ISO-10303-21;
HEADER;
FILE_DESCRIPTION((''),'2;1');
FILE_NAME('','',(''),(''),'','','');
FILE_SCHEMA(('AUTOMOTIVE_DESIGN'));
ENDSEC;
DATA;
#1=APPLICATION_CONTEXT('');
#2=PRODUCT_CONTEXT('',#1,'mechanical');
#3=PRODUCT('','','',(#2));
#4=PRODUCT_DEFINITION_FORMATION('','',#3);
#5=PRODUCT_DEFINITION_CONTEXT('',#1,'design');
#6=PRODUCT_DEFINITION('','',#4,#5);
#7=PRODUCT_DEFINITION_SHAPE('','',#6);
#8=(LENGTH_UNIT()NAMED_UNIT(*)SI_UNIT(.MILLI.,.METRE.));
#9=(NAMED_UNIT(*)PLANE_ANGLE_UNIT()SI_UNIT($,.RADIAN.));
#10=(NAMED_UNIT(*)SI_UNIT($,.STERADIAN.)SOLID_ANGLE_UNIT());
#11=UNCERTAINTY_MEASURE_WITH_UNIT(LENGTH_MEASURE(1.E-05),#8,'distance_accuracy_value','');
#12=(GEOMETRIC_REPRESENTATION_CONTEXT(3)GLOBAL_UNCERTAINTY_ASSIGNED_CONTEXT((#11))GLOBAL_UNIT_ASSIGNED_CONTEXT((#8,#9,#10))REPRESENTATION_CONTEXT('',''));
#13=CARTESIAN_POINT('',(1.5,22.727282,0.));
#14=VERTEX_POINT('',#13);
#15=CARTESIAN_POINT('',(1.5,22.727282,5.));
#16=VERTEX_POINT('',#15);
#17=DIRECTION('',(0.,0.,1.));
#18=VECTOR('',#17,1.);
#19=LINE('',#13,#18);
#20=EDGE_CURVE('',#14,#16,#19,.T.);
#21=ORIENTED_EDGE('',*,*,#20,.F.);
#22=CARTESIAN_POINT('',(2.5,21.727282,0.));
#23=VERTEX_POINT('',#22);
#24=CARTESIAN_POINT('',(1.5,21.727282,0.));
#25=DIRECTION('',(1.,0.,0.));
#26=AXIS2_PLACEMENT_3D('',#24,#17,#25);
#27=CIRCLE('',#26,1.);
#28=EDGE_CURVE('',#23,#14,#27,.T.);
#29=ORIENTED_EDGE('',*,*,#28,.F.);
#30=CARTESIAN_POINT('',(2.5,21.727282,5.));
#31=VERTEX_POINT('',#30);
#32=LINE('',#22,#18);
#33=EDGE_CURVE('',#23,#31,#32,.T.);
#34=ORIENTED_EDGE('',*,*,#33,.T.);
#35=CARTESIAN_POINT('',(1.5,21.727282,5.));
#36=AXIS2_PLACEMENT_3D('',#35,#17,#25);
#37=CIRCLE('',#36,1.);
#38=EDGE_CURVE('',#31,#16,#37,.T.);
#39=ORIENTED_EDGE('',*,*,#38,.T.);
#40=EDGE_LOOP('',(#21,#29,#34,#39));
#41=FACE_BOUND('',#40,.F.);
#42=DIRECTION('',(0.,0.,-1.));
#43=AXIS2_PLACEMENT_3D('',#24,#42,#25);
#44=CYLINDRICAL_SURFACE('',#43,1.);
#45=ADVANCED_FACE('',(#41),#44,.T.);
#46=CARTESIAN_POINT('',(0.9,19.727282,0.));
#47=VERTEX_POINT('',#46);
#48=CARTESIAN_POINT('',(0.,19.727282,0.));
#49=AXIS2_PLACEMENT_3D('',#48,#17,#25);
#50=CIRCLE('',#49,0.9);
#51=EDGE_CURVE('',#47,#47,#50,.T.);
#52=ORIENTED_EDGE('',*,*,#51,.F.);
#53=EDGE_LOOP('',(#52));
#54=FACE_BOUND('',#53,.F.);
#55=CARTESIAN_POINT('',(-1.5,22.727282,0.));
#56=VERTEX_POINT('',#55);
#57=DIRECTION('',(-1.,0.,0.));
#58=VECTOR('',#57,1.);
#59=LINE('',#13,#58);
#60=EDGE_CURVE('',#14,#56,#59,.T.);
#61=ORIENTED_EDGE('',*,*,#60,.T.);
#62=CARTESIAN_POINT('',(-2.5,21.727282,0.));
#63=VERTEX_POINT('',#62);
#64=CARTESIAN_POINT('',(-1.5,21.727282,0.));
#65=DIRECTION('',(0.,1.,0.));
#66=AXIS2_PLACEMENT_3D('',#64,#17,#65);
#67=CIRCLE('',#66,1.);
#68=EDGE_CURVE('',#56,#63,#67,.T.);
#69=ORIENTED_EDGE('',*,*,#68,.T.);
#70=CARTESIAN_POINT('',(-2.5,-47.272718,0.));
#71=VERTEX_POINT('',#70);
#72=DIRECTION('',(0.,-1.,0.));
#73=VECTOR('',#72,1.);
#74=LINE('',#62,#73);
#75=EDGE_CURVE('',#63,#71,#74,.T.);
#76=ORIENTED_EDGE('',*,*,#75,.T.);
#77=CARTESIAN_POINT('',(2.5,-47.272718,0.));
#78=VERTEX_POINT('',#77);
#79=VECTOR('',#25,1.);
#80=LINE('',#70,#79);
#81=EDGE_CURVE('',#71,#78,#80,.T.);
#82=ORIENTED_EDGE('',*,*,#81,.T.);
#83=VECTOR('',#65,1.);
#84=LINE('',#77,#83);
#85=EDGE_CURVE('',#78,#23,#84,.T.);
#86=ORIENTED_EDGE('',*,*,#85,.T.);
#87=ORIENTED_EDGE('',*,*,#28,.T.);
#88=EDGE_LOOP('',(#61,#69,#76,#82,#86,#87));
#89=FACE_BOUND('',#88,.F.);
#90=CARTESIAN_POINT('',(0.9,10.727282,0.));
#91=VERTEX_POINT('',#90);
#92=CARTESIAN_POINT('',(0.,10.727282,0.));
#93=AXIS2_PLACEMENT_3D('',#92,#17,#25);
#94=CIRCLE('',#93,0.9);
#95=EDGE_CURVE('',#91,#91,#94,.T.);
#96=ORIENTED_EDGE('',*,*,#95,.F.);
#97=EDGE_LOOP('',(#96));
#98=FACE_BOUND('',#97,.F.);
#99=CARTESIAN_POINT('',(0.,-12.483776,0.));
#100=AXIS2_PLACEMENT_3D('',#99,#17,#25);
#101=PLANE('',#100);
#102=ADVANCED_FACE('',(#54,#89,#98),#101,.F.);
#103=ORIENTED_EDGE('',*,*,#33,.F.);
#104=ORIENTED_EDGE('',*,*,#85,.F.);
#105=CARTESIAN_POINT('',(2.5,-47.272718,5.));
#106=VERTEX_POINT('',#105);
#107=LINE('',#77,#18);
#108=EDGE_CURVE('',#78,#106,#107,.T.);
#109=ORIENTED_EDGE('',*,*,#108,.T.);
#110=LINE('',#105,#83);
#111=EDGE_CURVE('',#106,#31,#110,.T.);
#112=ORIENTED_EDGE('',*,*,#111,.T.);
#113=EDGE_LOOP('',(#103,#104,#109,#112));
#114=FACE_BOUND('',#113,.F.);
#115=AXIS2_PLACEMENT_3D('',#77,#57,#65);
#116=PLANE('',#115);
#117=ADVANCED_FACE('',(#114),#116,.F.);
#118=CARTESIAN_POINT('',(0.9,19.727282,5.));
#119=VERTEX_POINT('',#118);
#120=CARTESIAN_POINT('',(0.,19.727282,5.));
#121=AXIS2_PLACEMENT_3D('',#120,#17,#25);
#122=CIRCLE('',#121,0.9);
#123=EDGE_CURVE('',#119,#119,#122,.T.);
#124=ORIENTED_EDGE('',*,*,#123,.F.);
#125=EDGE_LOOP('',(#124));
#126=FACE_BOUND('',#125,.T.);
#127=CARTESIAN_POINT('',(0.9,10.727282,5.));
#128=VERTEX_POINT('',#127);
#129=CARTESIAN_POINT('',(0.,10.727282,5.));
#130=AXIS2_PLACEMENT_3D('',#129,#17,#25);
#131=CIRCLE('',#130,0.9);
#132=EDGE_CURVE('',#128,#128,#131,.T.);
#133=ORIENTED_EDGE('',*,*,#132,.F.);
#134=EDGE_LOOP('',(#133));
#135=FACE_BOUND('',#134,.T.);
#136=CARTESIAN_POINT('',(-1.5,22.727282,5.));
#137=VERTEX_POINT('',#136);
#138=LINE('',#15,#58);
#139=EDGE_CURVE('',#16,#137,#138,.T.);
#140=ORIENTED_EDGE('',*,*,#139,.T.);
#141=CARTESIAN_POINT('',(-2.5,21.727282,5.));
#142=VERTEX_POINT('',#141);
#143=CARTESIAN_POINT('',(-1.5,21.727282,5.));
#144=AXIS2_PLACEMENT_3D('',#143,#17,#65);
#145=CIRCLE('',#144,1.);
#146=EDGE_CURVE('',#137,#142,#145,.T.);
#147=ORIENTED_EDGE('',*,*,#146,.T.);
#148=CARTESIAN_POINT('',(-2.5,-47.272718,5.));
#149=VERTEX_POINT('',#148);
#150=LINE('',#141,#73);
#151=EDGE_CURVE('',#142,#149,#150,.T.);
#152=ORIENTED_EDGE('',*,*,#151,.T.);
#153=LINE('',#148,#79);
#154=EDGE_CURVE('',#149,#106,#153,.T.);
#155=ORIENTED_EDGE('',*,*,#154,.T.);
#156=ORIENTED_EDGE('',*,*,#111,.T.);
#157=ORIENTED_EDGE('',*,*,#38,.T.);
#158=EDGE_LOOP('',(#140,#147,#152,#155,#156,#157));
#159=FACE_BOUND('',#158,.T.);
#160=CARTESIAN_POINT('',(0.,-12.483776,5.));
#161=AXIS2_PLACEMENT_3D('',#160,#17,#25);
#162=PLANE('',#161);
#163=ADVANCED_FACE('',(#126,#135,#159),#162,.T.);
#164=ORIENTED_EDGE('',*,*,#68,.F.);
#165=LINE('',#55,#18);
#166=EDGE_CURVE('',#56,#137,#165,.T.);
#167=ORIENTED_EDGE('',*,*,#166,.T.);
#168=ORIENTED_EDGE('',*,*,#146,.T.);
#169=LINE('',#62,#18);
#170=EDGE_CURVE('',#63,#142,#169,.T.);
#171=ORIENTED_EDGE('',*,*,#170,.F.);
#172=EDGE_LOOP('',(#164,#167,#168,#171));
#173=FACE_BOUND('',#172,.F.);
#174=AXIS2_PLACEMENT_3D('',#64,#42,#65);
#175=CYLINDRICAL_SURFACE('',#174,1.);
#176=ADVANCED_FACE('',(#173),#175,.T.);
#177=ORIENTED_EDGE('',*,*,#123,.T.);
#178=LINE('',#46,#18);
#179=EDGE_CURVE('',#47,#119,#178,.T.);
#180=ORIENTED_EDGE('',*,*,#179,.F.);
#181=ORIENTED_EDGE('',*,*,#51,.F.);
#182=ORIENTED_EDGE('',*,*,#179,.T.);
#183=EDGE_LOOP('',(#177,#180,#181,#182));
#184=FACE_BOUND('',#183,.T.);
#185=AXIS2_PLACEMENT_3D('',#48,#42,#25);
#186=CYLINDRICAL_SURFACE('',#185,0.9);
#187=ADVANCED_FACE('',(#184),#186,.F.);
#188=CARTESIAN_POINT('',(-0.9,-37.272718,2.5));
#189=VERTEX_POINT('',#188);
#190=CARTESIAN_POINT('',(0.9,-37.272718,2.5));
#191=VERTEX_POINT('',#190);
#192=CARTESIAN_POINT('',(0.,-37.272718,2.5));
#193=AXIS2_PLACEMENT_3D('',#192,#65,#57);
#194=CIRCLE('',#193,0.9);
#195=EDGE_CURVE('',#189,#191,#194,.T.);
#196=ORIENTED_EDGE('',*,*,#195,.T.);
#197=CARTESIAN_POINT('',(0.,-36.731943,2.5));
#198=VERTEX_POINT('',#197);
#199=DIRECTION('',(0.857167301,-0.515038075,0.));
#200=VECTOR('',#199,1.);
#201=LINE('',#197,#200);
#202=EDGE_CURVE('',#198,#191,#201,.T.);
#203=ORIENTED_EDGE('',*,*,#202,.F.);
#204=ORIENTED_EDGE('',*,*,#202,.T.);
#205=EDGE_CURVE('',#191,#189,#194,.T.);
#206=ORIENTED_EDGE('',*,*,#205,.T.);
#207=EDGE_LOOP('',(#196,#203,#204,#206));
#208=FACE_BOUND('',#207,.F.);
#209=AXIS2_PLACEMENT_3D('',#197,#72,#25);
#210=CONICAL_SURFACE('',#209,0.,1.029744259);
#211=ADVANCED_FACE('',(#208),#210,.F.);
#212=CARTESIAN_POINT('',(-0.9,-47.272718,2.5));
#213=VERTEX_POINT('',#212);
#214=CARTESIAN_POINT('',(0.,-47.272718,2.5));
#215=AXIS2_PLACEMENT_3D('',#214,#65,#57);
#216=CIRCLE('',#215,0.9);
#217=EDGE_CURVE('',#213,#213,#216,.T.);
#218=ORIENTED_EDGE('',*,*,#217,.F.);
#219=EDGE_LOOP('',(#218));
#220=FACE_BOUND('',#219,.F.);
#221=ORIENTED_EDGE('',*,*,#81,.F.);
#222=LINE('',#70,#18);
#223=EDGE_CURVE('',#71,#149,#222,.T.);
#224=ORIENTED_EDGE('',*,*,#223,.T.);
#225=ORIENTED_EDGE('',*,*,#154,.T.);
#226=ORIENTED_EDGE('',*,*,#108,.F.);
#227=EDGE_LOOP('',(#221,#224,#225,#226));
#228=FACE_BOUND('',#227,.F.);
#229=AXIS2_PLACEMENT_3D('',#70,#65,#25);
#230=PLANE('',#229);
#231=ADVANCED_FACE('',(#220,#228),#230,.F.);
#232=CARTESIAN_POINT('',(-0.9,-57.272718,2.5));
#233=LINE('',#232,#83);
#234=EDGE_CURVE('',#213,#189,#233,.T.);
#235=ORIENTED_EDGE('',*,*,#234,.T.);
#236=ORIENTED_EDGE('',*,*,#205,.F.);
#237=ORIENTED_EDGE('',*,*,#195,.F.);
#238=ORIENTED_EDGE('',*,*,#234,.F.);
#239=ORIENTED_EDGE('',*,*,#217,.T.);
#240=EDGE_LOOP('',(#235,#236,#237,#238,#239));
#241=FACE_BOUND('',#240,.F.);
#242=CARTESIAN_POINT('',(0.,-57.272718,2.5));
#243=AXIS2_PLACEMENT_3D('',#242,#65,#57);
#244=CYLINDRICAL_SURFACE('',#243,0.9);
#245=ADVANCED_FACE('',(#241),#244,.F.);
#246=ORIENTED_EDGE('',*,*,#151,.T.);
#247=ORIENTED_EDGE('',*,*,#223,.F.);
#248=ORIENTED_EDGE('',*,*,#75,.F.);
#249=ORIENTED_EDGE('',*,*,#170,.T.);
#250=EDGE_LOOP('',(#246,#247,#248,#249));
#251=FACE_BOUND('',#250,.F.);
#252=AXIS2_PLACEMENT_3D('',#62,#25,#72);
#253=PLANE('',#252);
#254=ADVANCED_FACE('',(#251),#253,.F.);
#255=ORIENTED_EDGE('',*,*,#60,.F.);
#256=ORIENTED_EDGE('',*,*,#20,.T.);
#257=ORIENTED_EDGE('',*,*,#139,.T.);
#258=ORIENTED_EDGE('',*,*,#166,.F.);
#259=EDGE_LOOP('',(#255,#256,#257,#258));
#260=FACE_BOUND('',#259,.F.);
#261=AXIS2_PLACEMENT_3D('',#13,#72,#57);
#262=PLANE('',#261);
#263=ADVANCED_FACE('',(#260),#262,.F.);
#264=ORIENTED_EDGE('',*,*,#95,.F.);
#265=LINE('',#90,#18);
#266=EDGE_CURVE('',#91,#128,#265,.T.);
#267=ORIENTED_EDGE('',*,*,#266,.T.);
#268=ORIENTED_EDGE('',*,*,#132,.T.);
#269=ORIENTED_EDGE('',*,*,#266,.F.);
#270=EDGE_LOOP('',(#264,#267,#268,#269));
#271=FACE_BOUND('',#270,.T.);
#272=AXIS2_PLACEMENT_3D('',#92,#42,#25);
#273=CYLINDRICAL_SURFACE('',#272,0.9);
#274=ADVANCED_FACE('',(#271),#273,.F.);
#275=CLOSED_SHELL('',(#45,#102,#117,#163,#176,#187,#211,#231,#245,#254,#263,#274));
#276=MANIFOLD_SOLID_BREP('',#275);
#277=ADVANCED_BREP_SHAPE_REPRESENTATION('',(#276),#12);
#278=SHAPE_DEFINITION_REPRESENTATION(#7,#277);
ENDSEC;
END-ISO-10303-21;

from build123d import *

# Parameters (mm, degrees)
F0_R     = 0.9
F1_DEPTH = 5
F3_D     = 1.8
F3_DEPTH = 10
F3_TIP   = 0.5407745571


with BuildPart() as f1:
    # F0 (on Top) → F1 (new body)
    with BuildSketch(Plane.XY):
        with BuildLine():
            ThreePointArc((2.5, 21.7272822881), (2.2071067812, 22.4343890692), (1.5, 22.7272822881))
            Line((1.5, 22.7272822881), (-1.5, 22.7272822881))
            ThreePointArc((-1.5, 22.7272822881), (-2.2071067812, 22.4343890692), (-2.5, 21.7272822881))
            Line((-2.5, 21.7272822881), (-2.5, -47.2727177119))
            Line((-2.5, -47.2727177119), (2.5, -47.2727177119))
            Line((2.5, -47.2727177119), (2.5, 21.7272822881))
        make_face()
        with Locations((0, 10.7272822881)):
            Circle(F0_R, mode=Mode.SUBTRACT)
        with Locations((0, 19.7272822881)):
            Circle(F0_R, mode=Mode.SUBTRACT)
    extrude(amount=F1_DEPTH)

    # F3
    with Locations(Plane.XZ.offset(47.2727177119)):
        with Locations((0, 2.5)):
            Hole(F3_D / 2, depth=F3_DEPTH)
            with Locations((0, 0, -(F3_DEPTH + F3_TIP / 2))):  # 118° drill point
                Cone(0, F3_D / 2, F3_TIP, mode=Mode.SUBTRACT)


solid = f1.part
